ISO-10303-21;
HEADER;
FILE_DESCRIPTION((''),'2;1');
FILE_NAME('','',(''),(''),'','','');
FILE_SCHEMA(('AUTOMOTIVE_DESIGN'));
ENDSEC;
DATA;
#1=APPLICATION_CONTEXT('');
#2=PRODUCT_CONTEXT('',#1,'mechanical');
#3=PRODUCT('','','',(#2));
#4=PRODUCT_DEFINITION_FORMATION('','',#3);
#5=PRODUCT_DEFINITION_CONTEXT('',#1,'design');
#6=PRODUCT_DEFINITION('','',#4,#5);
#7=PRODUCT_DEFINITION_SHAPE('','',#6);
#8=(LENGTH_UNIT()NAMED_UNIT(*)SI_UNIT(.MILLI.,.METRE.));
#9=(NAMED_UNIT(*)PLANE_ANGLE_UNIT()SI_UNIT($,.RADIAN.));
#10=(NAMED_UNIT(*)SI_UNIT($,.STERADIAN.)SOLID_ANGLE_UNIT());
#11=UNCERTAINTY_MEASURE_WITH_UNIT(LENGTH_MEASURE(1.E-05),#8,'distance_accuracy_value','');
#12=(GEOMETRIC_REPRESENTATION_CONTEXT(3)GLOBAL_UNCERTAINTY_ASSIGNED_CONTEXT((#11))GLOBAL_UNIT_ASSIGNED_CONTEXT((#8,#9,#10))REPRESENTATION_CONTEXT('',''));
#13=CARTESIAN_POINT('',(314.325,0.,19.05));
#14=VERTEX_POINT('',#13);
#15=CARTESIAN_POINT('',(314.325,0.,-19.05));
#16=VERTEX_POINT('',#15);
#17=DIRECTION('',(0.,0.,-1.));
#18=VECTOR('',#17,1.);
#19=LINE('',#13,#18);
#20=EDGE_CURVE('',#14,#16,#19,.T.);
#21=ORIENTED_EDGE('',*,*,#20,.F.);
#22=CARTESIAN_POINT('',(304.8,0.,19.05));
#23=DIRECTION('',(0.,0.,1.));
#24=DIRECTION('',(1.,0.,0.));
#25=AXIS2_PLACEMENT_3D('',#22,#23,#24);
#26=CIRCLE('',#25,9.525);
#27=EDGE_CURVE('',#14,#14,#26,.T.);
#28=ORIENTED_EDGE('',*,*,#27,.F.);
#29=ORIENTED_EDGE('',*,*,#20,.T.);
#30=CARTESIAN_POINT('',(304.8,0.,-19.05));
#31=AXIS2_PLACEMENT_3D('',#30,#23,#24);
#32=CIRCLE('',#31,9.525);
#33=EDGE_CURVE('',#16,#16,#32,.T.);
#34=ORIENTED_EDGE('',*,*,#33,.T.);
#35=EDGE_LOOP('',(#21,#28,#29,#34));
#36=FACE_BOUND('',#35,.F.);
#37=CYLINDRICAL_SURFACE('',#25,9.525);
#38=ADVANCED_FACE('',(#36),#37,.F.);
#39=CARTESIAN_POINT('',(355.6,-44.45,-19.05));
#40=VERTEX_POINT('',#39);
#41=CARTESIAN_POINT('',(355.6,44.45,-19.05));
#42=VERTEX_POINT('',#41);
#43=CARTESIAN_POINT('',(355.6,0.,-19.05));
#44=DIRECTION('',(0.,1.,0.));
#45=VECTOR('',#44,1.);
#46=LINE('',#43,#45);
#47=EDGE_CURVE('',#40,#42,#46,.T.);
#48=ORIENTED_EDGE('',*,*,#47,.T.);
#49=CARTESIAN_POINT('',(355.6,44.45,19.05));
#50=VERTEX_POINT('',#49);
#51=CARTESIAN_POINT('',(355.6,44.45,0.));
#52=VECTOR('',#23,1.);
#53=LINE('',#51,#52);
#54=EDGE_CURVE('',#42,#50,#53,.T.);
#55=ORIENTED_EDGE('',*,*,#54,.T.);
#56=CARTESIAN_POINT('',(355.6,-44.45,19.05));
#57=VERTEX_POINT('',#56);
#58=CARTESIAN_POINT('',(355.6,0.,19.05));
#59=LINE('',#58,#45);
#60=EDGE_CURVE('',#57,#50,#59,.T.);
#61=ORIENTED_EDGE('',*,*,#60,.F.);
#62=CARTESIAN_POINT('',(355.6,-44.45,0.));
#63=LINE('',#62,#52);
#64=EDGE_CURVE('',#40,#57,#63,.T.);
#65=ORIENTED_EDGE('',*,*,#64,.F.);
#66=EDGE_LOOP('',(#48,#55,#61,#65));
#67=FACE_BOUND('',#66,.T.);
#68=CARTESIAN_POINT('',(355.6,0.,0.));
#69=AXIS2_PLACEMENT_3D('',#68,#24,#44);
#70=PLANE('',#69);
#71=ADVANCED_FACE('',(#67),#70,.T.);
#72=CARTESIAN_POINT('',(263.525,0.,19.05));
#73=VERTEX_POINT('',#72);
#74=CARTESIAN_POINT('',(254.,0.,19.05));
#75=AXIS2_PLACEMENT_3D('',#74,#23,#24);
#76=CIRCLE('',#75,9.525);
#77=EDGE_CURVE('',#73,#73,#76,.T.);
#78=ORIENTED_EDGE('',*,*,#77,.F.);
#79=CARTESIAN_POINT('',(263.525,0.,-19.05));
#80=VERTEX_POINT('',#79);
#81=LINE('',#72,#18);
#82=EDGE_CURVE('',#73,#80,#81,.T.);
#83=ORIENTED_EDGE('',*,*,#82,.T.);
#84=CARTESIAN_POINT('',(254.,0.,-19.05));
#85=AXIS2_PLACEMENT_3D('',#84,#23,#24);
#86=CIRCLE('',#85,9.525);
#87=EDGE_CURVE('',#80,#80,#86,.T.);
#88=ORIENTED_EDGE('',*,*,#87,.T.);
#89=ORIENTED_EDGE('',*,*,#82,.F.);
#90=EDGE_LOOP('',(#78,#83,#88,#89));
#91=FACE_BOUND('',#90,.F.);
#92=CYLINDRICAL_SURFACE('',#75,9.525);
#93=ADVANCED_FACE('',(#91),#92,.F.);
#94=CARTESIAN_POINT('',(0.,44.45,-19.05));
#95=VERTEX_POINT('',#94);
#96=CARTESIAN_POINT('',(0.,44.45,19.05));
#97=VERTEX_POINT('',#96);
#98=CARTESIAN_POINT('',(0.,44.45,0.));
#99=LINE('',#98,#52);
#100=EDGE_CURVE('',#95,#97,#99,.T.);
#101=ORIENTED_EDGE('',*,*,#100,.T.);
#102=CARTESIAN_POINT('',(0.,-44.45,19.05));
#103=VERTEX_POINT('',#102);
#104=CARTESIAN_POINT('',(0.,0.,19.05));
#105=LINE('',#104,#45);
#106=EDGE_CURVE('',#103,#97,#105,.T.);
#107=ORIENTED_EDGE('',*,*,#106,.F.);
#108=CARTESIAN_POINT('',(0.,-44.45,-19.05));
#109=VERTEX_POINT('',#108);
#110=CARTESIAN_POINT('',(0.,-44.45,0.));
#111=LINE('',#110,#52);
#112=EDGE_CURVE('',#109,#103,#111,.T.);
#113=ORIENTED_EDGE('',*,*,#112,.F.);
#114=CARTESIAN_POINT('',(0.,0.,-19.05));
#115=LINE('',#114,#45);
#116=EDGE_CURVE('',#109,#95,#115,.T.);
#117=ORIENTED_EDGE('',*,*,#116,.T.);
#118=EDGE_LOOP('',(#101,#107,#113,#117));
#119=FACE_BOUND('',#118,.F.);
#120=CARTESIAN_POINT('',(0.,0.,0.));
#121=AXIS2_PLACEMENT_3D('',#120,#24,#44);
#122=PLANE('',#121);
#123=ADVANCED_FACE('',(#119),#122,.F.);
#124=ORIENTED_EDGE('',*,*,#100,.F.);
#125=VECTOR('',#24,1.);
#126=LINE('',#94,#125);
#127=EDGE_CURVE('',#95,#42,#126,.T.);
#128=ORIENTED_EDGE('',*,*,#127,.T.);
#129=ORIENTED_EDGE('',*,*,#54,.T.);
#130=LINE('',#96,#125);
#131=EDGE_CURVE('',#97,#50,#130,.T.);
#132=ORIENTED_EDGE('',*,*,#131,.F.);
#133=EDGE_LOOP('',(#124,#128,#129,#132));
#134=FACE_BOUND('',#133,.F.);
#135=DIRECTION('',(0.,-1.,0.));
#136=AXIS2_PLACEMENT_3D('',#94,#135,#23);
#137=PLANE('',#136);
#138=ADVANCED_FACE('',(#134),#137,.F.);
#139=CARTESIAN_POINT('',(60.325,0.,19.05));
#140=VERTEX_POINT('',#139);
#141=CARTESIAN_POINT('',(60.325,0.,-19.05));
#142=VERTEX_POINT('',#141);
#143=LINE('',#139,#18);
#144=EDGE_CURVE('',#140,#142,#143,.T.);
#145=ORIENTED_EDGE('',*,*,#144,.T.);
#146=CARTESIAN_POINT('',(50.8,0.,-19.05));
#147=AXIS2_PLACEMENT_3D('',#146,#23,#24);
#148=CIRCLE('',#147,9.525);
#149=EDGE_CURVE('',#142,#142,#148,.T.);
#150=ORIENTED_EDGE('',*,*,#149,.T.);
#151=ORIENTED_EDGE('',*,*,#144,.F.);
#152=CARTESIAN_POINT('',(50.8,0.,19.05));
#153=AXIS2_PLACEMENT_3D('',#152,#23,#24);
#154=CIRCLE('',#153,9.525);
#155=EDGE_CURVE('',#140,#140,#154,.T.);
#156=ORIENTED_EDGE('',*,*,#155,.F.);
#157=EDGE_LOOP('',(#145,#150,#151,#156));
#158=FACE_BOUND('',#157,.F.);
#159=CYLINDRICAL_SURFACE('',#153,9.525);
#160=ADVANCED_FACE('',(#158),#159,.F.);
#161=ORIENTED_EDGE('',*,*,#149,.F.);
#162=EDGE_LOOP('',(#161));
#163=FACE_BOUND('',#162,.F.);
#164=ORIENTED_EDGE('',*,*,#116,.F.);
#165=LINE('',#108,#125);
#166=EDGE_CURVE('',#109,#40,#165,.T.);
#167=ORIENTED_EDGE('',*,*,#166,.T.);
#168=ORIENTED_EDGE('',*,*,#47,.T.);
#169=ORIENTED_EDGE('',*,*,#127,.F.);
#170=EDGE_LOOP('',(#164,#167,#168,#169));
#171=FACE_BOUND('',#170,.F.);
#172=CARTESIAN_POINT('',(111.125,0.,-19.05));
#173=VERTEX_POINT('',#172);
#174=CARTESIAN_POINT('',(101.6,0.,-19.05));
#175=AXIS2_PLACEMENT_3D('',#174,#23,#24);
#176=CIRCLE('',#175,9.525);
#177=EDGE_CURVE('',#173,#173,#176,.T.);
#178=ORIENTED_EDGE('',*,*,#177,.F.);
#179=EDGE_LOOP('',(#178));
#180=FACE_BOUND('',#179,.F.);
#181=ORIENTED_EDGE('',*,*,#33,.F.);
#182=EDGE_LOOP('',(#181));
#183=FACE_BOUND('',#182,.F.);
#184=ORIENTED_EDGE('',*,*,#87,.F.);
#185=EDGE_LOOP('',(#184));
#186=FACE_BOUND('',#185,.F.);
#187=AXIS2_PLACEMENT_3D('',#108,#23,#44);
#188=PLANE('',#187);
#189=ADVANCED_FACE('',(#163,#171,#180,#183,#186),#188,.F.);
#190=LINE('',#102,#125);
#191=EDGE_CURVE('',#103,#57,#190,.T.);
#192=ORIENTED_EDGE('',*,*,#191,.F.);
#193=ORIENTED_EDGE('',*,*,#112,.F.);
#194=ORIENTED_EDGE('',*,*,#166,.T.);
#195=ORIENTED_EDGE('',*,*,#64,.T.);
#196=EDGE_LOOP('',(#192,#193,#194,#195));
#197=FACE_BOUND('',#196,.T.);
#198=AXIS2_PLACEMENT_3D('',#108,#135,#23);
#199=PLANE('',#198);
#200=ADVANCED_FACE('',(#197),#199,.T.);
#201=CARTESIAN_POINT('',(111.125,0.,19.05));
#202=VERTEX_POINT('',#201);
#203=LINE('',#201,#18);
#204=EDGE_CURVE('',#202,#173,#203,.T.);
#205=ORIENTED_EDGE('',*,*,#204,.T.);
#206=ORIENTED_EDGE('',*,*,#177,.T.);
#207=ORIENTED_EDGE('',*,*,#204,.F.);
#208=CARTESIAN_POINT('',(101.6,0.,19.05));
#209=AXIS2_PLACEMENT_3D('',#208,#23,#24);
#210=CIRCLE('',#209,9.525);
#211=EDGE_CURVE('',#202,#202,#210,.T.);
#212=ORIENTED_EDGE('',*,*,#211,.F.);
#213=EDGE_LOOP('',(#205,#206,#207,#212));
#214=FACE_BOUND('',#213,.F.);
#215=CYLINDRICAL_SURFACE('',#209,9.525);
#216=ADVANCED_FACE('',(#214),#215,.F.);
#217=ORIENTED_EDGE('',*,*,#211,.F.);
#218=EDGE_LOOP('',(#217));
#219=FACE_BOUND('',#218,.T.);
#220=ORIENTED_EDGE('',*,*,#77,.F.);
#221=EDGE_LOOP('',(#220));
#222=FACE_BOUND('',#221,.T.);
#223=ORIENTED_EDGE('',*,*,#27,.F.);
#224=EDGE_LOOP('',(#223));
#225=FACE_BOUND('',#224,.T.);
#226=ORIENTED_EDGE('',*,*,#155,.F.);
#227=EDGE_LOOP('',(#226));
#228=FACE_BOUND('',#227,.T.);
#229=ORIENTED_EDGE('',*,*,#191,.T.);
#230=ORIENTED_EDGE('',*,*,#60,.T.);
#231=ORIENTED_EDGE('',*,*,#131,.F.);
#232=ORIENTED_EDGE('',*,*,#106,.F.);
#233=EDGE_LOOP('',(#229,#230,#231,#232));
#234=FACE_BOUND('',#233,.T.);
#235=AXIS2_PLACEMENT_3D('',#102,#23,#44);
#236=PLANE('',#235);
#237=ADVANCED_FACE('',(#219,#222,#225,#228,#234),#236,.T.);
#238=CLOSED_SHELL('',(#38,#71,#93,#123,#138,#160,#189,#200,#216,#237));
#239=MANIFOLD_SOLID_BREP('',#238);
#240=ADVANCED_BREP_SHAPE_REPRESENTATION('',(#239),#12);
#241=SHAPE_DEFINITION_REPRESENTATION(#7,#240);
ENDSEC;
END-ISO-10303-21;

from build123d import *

# Parameters (mm, degrees)
F0_W     = 88.9
F0_H     = 38.1
F1_DEPTH = 355.6
F2_R     = 9.525
F3_DEPTH = 38.101


with BuildPart() as f1:
    # F0 (on Right) → F1 (new body)
    with BuildSketch(Plane.YZ):
        Rectangle(F0_W, F0_H)
    extrude(amount=F1_DEPTH)

    # F2 (on face) → F3 (cut, through all)
    with BuildSketch(Plane.XY.offset(19.05)):
        with Locations((50.8, 0)):
            Circle(F2_R)
        with Locations((101.6, 0)):
            Circle(F2_R)
        with Locations((254, 0)):
            Circle(F2_R)
        with Locations((304.8, 0)):
            Circle(F2_R)
    extrude(amount=-F3_DEPTH, mode=Mode.SUBTRACT)


solid = f1.part
